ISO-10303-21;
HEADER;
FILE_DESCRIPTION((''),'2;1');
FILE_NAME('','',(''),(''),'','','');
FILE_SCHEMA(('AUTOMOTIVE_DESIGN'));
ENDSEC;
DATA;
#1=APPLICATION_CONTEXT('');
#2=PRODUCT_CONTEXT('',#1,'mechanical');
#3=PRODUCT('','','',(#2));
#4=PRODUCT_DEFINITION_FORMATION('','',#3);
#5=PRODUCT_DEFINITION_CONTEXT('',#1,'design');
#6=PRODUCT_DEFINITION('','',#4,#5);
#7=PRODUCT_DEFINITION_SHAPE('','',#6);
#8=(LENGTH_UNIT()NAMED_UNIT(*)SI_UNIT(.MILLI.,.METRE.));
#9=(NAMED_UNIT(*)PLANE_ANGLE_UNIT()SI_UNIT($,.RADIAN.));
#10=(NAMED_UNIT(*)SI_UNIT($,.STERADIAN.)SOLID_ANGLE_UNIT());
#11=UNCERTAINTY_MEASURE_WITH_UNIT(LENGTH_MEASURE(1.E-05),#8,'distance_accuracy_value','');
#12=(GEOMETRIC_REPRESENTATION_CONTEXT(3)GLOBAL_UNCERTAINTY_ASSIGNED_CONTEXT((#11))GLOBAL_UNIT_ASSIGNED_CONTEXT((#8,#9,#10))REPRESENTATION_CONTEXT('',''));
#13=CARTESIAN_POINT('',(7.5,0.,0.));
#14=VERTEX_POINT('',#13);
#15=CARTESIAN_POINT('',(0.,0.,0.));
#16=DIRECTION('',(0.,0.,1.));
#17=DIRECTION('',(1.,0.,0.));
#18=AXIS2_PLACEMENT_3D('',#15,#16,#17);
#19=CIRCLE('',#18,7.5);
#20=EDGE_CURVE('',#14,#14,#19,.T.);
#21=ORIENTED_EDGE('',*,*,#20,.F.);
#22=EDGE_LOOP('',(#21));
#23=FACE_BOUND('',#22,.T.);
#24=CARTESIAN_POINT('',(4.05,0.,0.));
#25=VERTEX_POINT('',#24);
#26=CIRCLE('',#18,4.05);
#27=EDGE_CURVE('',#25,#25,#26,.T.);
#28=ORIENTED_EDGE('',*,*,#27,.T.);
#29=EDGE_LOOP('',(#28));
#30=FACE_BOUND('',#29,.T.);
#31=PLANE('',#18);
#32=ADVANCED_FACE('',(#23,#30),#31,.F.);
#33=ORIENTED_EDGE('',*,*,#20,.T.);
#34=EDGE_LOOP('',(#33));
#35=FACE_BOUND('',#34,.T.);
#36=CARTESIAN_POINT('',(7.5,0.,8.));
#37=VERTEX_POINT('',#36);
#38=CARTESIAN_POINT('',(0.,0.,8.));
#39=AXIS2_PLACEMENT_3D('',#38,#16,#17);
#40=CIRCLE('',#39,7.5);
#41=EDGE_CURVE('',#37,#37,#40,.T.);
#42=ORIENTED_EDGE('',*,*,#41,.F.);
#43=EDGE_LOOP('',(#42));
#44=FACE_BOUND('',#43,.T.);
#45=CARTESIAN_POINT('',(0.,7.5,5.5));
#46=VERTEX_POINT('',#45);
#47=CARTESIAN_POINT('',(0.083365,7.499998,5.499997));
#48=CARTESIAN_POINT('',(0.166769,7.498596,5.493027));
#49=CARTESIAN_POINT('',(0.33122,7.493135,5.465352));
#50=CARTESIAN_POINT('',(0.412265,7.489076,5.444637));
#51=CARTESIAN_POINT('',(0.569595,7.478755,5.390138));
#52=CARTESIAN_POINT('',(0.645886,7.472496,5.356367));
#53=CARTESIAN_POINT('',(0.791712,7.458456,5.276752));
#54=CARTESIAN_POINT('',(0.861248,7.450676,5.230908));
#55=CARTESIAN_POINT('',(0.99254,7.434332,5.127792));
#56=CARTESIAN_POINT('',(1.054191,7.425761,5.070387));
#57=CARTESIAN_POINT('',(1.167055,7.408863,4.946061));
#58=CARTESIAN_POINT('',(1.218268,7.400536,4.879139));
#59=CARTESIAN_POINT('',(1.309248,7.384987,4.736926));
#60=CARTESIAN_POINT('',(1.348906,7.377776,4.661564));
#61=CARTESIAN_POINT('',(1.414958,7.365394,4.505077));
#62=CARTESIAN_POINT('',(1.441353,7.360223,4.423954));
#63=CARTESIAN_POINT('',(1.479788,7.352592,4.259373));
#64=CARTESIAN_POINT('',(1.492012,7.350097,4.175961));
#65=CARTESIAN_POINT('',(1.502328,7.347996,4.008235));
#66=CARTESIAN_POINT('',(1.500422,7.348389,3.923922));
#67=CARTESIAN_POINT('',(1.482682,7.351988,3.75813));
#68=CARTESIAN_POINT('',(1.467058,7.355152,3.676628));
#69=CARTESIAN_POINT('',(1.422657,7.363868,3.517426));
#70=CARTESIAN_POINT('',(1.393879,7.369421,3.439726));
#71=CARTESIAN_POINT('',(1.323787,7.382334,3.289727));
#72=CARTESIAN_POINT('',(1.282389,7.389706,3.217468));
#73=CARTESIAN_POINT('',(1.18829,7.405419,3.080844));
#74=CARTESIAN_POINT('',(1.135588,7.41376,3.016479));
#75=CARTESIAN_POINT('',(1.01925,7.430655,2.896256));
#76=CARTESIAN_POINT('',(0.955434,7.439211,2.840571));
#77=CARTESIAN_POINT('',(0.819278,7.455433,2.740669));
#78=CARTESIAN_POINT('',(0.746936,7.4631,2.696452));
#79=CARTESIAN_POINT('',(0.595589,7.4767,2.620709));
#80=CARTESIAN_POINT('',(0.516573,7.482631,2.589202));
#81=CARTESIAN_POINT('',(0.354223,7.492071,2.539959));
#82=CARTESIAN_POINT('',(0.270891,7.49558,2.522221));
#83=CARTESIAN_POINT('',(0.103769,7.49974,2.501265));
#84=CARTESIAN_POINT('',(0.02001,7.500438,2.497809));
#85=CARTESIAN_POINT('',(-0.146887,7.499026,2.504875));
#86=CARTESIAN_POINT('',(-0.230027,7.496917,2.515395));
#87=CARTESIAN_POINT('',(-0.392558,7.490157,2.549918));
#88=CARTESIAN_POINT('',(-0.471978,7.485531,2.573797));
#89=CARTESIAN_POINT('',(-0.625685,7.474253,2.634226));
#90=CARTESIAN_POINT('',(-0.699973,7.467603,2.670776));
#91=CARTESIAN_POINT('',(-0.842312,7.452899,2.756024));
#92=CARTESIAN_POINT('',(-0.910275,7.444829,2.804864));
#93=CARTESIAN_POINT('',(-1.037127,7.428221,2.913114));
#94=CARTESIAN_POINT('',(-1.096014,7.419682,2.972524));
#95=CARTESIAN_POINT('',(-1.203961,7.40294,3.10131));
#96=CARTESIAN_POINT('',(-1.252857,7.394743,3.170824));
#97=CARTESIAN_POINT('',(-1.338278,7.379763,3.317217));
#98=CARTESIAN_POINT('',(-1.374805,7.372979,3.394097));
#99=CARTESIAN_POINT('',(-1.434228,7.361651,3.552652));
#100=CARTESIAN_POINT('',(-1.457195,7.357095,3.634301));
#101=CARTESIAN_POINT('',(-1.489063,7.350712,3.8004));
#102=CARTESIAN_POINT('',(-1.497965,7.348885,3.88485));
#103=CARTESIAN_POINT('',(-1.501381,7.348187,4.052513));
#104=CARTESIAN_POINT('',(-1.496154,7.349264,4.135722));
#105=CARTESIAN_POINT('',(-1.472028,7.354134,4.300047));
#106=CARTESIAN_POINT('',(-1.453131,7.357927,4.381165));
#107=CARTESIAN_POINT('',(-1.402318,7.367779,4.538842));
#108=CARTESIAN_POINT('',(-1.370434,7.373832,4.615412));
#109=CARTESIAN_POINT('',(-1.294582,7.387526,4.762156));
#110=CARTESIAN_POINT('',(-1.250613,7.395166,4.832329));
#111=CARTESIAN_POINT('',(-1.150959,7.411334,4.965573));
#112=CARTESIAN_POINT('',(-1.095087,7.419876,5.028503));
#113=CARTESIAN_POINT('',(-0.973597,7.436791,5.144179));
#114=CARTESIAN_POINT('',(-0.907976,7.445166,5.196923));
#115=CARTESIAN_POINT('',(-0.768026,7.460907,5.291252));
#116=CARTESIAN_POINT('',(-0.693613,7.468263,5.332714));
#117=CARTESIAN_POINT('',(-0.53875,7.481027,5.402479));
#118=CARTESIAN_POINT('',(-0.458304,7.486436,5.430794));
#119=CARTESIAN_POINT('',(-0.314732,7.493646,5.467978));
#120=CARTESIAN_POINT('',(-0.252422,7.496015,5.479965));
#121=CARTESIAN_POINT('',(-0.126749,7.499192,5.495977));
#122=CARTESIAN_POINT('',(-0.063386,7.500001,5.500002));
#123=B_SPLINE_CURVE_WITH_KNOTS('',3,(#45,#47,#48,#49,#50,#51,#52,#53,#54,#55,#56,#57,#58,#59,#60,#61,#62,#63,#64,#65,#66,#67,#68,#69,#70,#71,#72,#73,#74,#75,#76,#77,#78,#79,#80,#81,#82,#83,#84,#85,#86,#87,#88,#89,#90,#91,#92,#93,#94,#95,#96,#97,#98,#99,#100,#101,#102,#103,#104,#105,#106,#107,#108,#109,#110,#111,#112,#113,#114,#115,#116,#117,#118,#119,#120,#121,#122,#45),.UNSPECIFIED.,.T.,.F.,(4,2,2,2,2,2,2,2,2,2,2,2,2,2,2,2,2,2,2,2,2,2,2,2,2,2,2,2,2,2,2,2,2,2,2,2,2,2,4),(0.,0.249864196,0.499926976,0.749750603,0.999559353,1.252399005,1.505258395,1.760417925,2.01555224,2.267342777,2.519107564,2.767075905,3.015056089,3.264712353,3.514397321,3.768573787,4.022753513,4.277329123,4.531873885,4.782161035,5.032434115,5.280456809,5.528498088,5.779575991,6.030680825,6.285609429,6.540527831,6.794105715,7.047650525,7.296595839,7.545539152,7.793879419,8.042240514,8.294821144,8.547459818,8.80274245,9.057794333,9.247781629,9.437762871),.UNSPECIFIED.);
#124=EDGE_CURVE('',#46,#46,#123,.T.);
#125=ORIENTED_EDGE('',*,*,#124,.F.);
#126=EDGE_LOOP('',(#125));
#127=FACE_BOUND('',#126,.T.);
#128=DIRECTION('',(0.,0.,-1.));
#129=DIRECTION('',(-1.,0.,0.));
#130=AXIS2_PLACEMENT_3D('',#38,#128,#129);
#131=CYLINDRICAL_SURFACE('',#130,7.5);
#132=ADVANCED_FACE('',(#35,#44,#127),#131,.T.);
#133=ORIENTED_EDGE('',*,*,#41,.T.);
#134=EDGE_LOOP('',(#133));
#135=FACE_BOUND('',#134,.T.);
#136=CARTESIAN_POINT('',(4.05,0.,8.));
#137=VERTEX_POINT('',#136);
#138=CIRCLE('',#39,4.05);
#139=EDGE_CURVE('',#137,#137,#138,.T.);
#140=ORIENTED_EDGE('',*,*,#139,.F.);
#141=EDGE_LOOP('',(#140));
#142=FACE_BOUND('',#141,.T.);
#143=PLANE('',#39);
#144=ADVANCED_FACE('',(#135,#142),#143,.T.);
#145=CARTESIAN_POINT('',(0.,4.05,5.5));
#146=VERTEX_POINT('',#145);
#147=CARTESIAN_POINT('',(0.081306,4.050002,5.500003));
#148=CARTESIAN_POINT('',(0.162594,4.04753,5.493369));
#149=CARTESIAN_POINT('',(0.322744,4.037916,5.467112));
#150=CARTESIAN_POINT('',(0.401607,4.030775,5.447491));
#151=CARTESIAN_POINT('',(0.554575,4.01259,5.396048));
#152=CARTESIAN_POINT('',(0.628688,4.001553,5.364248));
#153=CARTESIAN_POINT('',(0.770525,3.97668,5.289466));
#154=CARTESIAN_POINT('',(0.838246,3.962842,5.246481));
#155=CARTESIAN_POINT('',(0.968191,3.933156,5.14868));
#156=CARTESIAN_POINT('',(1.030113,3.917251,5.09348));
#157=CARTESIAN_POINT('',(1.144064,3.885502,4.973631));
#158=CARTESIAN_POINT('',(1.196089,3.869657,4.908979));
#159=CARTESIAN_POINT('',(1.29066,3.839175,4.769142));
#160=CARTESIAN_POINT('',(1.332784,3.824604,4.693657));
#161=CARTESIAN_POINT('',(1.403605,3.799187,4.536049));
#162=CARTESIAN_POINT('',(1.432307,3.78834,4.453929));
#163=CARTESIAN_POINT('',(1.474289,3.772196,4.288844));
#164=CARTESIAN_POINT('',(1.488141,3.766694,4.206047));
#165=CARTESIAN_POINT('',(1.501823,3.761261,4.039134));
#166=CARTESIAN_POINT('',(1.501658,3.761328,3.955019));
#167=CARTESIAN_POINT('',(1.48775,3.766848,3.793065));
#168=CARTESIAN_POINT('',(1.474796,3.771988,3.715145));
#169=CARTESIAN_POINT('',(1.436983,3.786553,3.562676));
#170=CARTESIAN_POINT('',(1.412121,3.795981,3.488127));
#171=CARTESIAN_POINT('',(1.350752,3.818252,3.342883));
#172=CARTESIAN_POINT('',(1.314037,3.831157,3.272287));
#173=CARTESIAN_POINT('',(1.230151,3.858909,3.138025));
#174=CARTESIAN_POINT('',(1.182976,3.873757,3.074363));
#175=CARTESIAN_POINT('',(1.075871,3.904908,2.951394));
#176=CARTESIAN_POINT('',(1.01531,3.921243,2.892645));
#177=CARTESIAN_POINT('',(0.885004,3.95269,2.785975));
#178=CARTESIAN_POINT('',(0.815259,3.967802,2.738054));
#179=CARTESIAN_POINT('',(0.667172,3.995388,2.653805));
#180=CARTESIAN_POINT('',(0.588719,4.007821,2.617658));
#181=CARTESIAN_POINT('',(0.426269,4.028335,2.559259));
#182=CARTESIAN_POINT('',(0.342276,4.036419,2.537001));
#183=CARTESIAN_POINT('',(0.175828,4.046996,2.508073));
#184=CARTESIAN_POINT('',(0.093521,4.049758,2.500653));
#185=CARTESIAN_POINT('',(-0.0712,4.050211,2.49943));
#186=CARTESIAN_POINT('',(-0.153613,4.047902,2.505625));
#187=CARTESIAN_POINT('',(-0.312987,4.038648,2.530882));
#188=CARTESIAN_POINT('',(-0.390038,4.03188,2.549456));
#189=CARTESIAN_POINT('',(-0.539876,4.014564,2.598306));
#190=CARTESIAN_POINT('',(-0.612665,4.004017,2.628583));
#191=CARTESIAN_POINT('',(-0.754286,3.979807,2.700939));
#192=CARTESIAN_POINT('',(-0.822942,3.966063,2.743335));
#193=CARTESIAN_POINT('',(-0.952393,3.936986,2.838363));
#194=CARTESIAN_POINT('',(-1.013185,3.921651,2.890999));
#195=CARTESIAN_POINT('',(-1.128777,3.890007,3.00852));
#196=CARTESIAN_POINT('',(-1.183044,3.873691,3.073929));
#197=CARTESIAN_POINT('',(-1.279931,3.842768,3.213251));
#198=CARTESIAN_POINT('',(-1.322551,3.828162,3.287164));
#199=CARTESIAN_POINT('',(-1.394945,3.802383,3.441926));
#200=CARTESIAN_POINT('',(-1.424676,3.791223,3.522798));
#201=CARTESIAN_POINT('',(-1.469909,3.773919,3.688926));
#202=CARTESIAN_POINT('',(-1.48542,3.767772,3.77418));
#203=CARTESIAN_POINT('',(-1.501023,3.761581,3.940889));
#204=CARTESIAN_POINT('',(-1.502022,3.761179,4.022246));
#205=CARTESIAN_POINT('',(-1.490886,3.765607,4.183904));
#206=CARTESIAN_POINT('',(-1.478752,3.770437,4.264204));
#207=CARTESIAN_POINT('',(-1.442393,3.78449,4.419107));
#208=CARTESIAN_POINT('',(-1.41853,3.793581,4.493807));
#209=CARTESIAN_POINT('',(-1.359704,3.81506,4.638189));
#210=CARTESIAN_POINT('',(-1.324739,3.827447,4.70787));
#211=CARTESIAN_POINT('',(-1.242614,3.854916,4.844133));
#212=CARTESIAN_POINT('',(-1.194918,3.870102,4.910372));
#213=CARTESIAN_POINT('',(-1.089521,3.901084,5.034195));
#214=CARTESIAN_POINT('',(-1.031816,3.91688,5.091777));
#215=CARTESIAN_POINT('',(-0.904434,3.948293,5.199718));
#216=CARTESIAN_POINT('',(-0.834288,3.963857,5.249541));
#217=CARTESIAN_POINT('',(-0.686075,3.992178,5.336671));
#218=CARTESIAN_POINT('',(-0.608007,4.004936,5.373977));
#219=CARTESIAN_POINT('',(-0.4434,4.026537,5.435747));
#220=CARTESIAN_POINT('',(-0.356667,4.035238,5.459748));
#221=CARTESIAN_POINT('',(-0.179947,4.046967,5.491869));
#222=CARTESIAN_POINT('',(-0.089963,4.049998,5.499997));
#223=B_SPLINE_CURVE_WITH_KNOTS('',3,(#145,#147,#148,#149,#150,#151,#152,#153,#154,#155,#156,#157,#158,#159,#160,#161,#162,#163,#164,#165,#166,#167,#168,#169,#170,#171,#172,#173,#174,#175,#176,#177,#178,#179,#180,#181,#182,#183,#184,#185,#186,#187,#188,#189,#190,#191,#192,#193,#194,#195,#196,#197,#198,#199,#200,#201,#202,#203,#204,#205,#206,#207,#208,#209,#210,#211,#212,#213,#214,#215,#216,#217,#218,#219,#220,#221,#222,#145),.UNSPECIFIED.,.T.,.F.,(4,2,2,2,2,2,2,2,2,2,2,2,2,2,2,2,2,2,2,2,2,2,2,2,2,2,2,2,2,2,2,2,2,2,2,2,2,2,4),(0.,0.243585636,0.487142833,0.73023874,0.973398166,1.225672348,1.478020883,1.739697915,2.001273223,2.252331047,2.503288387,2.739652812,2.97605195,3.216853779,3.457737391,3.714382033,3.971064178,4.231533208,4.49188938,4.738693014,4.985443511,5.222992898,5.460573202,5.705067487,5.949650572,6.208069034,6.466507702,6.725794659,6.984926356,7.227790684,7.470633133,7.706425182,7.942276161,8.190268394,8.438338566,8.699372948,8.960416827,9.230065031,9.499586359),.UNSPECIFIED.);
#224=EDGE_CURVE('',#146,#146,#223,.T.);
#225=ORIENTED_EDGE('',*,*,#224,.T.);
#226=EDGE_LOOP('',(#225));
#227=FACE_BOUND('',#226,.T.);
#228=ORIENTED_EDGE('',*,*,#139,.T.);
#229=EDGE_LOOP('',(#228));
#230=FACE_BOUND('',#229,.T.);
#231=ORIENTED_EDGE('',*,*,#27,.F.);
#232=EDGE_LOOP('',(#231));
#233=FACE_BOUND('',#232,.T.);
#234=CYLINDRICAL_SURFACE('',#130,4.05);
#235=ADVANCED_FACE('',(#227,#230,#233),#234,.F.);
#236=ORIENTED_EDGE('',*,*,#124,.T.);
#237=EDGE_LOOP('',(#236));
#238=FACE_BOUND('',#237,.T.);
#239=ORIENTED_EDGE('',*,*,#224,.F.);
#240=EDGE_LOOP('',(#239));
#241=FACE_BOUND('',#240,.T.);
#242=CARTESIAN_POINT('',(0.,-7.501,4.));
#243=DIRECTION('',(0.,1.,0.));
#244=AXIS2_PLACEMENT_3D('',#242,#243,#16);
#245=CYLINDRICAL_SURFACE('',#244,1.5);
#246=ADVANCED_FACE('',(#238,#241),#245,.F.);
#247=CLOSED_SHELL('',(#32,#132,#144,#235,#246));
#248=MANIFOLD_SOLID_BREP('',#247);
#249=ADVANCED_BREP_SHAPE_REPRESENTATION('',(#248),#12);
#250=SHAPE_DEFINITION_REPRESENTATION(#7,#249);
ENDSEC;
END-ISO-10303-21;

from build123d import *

# Parameters (mm, degrees)
ESQUISSE1_R             = 7.5
ESQUISSE1_R_2           = 4.05
BOSS_EXTRU_1_DEPTH      = 8
ENL_V_MAT_EXTRU_1_REACH = 17
ESQUISSE2_R             = 1.5


with BuildPart() as part:
    # Esquisse1 → Boss.-Extru.1 (new body)
    with BuildSketch(Plane.XY):
        Circle(ESQUISSE1_R)
        Circle(ESQUISSE1_R_2, mode=Mode.SUBTRACT)
    extrude(amount=BOSS_EXTRU_1_DEPTH)

    # Esquisse2 → Enlèv. mat.-Extru.1 (cut, up to next)
    with BuildSketch(Plane(origin=(0, 7.5, 0), x_dir=(1, 0, 0), z_dir=(0, 1, 0)), mode=Mode.PRIVATE) as enl_v_mat_extru_1_sk1:
        with Locations((0, -4)):
            Circle(ESQUISSE2_R)
    enl_v_mat_extru_1_tool1 = extrude(enl_v_mat_extru_1_sk1.sketch, amount=-ENL_V_MAT_EXTRU_1_REACH, mode=Mode.PRIVATE) & part.part
    add(enl_v_mat_extru_1_tool1.solids().sort_by_distance((0, 7.5, 4))[0], mode=Mode.SUBTRACT)


solid = part.part
